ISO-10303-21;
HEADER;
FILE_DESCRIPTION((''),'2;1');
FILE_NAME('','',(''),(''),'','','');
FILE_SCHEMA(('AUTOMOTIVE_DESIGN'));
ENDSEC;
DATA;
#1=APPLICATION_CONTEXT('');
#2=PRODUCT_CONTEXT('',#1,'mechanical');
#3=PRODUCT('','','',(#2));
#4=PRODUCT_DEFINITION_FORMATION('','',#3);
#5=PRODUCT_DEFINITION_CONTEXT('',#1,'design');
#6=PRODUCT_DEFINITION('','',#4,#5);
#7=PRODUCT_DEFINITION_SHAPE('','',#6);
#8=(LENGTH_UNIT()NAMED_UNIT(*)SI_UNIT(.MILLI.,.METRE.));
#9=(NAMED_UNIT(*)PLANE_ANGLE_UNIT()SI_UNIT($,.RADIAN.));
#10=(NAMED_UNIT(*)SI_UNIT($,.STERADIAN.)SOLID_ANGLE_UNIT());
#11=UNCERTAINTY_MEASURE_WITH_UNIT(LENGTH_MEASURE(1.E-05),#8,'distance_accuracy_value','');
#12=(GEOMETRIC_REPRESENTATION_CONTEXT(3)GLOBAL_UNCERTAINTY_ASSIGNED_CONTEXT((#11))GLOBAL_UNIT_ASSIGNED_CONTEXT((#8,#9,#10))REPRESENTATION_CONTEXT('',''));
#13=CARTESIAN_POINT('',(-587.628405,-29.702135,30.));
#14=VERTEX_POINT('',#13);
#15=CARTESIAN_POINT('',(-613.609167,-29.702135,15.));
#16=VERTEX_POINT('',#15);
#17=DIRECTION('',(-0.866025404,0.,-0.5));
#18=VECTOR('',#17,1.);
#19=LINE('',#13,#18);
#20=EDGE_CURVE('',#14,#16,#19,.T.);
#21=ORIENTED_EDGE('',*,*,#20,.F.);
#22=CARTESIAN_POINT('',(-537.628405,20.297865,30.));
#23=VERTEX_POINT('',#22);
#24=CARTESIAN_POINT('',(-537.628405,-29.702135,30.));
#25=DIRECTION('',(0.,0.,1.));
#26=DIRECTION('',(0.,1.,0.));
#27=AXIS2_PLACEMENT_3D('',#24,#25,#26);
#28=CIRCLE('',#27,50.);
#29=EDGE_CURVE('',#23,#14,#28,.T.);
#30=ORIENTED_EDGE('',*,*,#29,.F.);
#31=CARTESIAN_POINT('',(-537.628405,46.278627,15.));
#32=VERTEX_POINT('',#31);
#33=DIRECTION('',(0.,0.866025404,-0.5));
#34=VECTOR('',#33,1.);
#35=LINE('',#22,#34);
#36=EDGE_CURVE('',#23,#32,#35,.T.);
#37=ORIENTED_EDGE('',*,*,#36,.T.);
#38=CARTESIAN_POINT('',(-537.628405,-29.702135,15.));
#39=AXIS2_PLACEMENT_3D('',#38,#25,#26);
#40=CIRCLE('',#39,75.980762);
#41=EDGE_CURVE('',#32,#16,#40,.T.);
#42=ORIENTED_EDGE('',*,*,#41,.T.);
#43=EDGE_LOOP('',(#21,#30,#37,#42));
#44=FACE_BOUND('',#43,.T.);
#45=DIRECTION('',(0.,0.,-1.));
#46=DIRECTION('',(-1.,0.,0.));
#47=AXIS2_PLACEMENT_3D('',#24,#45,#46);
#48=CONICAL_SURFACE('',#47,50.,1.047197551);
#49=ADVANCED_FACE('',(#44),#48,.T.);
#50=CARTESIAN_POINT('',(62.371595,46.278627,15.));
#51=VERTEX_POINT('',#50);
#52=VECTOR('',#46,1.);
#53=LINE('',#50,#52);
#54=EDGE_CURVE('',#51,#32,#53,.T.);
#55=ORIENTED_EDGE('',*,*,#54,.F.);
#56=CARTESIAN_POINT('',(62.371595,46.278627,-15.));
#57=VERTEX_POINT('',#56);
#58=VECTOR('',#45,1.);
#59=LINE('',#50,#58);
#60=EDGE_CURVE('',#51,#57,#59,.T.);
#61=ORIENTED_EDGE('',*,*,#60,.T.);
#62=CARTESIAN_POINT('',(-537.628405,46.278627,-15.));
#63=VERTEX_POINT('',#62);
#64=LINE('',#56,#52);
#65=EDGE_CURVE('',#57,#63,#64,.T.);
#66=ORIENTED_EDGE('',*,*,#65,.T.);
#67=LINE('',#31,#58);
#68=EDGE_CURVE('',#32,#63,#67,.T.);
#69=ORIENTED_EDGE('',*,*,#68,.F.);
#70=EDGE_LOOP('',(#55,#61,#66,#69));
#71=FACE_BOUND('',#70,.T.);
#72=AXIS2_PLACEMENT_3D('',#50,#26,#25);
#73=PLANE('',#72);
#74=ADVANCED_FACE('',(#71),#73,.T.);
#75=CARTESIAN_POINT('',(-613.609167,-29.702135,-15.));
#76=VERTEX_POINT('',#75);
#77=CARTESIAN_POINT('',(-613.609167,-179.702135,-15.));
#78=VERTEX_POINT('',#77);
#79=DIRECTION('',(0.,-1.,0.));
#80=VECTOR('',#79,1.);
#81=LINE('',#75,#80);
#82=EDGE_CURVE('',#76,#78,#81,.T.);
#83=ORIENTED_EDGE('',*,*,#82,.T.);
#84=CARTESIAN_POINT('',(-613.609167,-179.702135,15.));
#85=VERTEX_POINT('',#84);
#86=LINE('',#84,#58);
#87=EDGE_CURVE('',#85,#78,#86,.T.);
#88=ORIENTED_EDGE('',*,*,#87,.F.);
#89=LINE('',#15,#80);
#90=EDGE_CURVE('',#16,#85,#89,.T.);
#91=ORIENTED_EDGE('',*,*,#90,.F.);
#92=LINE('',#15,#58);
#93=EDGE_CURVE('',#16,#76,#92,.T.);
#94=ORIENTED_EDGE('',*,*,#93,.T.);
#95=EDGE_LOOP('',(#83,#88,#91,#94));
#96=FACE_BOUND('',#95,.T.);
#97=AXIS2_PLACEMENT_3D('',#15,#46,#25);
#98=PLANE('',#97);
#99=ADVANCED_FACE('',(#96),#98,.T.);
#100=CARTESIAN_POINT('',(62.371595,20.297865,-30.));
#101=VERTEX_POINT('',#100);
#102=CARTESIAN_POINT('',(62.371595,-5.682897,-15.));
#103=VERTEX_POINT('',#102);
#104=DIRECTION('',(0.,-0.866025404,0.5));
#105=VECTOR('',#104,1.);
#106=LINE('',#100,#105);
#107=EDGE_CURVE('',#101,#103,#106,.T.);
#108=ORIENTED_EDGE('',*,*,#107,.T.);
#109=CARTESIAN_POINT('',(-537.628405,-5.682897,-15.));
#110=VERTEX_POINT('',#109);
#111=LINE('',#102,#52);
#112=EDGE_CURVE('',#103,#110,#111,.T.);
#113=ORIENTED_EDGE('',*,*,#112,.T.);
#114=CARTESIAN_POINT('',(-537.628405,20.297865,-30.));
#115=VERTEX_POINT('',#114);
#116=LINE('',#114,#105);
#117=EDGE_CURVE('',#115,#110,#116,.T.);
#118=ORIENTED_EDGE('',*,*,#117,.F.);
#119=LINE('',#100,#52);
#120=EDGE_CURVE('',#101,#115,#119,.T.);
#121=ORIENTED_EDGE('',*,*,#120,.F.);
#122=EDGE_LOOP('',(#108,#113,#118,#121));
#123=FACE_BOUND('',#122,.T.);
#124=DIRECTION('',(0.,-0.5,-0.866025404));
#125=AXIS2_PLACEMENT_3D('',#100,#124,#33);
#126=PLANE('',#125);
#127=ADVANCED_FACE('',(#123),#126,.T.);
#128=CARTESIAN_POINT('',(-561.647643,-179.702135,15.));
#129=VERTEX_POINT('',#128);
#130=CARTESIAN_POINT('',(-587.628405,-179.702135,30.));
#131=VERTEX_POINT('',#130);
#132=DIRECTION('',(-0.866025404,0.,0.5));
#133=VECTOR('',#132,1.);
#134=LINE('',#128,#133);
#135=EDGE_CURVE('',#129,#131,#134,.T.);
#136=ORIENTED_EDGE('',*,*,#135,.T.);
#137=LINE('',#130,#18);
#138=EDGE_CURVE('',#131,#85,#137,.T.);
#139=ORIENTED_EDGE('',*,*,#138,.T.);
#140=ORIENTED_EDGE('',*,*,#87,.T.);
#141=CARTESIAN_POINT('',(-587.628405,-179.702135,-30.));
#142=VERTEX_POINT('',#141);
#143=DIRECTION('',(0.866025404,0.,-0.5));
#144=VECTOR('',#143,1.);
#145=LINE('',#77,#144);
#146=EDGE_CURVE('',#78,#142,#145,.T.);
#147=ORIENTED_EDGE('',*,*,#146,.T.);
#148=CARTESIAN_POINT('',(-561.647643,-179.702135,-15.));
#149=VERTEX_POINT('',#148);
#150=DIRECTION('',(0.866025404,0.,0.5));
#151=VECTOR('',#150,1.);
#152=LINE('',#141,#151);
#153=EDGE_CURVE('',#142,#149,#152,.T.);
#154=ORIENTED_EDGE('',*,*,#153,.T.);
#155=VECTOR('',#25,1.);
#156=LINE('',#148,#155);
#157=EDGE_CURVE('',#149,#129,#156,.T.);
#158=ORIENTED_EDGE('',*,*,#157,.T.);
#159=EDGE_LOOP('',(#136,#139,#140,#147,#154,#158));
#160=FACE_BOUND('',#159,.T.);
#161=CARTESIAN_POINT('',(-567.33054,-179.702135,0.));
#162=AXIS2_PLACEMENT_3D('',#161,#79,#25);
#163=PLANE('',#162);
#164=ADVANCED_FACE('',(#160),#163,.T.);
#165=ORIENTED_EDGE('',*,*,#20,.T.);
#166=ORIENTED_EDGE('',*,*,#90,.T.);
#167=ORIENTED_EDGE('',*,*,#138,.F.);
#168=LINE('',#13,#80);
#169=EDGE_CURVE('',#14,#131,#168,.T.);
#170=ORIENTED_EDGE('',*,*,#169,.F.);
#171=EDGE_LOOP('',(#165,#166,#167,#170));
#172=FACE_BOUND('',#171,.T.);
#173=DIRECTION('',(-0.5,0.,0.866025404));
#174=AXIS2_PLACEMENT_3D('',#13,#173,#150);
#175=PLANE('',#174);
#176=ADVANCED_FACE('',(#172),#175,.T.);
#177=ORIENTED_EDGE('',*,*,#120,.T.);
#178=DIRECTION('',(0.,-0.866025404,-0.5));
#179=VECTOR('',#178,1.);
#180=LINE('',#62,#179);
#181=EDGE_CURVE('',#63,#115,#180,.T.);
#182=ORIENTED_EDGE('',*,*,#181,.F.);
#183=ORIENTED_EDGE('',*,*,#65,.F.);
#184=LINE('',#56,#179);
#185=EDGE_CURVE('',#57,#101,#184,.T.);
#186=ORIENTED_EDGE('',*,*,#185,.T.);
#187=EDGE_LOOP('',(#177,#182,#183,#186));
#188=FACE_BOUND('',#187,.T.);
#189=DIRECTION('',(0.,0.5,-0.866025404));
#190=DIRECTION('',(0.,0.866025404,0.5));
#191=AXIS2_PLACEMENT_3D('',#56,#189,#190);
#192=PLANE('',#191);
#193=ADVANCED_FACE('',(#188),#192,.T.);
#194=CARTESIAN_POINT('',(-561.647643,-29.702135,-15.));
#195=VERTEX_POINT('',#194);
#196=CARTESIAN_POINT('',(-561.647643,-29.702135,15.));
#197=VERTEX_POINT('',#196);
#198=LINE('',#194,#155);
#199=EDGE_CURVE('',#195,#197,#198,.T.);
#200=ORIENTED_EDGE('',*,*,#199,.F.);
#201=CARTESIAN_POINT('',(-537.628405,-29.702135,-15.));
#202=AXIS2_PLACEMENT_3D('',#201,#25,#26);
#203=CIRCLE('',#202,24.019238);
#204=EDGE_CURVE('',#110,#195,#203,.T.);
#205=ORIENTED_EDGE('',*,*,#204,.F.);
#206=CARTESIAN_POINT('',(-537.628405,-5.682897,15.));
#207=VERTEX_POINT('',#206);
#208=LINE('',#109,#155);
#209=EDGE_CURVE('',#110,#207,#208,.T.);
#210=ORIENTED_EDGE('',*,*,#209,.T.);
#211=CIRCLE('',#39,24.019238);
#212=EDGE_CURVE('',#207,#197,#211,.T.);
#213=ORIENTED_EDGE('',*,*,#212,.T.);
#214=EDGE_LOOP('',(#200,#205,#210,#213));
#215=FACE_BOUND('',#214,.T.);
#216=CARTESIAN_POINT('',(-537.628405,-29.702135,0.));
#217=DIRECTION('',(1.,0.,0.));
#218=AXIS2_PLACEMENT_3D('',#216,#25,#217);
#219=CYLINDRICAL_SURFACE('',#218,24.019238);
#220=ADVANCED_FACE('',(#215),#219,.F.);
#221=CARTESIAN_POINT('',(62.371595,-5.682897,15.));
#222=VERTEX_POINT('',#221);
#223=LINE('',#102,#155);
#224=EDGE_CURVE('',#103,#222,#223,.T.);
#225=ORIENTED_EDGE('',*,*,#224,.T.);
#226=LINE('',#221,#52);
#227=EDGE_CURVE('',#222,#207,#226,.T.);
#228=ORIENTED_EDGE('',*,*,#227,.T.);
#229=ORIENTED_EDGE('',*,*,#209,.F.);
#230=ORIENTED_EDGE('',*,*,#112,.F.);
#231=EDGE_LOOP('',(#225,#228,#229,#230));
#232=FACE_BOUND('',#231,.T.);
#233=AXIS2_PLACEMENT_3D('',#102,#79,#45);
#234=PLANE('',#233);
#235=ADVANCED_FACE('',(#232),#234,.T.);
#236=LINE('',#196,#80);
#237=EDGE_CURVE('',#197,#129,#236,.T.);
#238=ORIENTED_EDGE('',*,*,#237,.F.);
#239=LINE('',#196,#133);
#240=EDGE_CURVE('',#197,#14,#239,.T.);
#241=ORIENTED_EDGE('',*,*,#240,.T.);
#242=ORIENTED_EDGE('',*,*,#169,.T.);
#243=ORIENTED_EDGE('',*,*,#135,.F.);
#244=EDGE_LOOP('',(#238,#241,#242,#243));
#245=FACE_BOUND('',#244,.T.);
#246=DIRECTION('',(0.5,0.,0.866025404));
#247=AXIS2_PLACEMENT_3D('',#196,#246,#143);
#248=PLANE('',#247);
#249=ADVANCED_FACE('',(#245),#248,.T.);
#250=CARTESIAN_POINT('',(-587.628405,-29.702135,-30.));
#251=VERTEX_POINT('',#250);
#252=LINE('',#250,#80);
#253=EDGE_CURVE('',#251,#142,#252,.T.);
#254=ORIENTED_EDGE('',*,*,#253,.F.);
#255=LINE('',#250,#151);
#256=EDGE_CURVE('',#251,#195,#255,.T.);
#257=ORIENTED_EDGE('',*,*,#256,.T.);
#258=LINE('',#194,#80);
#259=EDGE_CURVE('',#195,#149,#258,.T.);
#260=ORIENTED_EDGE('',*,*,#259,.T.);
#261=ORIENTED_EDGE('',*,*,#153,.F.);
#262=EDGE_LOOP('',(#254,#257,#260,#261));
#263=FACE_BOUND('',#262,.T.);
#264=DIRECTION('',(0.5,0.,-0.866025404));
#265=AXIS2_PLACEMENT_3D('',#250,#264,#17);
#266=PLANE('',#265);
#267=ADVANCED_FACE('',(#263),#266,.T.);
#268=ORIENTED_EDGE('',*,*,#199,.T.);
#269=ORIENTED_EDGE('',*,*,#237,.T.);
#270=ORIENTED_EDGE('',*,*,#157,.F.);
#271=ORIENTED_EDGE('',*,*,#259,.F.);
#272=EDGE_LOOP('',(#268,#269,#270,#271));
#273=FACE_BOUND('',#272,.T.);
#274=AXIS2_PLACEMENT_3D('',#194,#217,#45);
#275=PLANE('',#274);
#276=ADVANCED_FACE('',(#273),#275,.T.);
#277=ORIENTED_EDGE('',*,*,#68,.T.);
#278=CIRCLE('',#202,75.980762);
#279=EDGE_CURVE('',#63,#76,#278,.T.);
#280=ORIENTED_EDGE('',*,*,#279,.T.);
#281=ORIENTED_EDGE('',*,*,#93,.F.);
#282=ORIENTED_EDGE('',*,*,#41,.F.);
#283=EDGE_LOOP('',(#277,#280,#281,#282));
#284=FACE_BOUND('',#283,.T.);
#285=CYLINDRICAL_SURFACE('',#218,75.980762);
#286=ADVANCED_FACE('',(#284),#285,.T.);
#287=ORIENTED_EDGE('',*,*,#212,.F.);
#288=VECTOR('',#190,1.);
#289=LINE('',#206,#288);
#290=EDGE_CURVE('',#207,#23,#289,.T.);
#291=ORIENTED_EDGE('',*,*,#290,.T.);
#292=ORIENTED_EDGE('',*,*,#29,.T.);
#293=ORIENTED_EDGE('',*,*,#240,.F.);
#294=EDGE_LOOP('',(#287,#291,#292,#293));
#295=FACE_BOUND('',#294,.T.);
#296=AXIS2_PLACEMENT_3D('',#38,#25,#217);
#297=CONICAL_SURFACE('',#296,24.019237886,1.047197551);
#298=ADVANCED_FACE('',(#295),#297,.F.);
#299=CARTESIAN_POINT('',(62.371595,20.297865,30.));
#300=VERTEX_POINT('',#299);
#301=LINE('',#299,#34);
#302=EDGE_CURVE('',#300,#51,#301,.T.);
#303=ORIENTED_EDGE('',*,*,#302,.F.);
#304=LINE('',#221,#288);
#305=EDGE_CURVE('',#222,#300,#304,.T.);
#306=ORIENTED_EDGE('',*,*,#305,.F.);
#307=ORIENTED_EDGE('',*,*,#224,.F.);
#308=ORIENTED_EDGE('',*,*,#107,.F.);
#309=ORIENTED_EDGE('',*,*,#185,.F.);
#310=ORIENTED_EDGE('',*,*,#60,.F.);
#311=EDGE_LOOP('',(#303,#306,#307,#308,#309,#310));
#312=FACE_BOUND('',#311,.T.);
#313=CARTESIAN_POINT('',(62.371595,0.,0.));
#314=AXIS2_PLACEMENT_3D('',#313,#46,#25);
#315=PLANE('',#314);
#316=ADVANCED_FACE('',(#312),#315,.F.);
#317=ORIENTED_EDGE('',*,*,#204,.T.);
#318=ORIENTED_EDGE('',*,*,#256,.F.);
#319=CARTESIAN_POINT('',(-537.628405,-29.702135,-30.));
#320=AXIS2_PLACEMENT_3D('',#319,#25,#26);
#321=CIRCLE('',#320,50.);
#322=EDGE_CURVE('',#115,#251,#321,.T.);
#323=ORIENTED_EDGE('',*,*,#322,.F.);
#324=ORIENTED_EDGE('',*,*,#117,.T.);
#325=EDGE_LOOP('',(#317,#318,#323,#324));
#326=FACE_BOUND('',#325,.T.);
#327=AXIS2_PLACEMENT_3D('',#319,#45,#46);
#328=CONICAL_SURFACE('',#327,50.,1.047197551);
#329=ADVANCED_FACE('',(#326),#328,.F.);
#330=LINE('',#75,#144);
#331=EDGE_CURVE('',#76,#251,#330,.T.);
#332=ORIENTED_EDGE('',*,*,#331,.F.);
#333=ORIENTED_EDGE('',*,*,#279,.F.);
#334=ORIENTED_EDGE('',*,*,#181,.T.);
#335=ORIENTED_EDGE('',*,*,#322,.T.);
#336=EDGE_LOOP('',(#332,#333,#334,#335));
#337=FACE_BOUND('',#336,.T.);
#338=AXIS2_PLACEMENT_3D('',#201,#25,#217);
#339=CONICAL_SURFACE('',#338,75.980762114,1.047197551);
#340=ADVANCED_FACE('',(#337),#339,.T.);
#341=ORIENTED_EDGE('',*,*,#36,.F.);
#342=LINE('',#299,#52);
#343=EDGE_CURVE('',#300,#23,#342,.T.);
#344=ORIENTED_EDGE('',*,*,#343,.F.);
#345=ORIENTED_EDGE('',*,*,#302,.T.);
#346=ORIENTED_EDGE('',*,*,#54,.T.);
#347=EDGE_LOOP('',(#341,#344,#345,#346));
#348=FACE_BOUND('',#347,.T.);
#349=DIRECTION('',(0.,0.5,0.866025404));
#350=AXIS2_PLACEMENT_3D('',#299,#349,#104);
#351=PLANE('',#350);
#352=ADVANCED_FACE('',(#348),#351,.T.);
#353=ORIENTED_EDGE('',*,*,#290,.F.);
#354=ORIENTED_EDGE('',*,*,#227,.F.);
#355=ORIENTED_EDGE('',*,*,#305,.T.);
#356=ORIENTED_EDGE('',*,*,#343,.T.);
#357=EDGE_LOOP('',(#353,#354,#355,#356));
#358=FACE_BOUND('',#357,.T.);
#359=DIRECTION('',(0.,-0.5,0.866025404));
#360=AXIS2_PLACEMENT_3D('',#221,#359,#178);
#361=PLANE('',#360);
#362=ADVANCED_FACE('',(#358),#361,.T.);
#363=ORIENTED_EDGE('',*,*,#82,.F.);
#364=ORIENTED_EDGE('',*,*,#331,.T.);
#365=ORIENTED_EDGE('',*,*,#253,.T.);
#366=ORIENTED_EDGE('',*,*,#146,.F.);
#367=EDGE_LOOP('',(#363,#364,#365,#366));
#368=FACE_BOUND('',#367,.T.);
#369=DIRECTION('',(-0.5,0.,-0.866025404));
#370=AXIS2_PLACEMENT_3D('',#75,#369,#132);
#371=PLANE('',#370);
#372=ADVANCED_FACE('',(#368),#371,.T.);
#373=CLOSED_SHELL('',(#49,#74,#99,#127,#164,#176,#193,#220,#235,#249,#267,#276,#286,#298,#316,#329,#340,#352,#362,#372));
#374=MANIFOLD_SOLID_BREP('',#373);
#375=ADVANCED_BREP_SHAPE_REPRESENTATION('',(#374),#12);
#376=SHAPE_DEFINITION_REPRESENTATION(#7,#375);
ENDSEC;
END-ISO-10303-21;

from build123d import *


with BuildPart() as part:
    # Sweep1: sweep along a path in Sketch1
    with BuildLine(Plane.XY) as sweep1_path:
        Line((62.371594817, 20.29786498), (-537.628405183, 20.29786498))
        ThreePointArc((-537.628405183, 20.29786498), (-572.983744242, 5.653204039), (-587.628405183, -29.70213502))
        Line((-587.628405183, -29.70213502), (-587.628405183, -179.70213502))
    # Sketch2 → Sweep1 (sweep)
    with BuildSketch(Plane(origin=(62.371594817, 20.29786498, 0), x_dir=(0, 0, 1), z_dir=(-1, 0, 0))):
        Polygon((30, 0), (15, 25.980762114), (-15, 25.980762114), (-30, 0), (-15, -25.980762114), (15, -25.980762114), align=None)
    sweep(path=sweep1_path.line)


solid = part.part
